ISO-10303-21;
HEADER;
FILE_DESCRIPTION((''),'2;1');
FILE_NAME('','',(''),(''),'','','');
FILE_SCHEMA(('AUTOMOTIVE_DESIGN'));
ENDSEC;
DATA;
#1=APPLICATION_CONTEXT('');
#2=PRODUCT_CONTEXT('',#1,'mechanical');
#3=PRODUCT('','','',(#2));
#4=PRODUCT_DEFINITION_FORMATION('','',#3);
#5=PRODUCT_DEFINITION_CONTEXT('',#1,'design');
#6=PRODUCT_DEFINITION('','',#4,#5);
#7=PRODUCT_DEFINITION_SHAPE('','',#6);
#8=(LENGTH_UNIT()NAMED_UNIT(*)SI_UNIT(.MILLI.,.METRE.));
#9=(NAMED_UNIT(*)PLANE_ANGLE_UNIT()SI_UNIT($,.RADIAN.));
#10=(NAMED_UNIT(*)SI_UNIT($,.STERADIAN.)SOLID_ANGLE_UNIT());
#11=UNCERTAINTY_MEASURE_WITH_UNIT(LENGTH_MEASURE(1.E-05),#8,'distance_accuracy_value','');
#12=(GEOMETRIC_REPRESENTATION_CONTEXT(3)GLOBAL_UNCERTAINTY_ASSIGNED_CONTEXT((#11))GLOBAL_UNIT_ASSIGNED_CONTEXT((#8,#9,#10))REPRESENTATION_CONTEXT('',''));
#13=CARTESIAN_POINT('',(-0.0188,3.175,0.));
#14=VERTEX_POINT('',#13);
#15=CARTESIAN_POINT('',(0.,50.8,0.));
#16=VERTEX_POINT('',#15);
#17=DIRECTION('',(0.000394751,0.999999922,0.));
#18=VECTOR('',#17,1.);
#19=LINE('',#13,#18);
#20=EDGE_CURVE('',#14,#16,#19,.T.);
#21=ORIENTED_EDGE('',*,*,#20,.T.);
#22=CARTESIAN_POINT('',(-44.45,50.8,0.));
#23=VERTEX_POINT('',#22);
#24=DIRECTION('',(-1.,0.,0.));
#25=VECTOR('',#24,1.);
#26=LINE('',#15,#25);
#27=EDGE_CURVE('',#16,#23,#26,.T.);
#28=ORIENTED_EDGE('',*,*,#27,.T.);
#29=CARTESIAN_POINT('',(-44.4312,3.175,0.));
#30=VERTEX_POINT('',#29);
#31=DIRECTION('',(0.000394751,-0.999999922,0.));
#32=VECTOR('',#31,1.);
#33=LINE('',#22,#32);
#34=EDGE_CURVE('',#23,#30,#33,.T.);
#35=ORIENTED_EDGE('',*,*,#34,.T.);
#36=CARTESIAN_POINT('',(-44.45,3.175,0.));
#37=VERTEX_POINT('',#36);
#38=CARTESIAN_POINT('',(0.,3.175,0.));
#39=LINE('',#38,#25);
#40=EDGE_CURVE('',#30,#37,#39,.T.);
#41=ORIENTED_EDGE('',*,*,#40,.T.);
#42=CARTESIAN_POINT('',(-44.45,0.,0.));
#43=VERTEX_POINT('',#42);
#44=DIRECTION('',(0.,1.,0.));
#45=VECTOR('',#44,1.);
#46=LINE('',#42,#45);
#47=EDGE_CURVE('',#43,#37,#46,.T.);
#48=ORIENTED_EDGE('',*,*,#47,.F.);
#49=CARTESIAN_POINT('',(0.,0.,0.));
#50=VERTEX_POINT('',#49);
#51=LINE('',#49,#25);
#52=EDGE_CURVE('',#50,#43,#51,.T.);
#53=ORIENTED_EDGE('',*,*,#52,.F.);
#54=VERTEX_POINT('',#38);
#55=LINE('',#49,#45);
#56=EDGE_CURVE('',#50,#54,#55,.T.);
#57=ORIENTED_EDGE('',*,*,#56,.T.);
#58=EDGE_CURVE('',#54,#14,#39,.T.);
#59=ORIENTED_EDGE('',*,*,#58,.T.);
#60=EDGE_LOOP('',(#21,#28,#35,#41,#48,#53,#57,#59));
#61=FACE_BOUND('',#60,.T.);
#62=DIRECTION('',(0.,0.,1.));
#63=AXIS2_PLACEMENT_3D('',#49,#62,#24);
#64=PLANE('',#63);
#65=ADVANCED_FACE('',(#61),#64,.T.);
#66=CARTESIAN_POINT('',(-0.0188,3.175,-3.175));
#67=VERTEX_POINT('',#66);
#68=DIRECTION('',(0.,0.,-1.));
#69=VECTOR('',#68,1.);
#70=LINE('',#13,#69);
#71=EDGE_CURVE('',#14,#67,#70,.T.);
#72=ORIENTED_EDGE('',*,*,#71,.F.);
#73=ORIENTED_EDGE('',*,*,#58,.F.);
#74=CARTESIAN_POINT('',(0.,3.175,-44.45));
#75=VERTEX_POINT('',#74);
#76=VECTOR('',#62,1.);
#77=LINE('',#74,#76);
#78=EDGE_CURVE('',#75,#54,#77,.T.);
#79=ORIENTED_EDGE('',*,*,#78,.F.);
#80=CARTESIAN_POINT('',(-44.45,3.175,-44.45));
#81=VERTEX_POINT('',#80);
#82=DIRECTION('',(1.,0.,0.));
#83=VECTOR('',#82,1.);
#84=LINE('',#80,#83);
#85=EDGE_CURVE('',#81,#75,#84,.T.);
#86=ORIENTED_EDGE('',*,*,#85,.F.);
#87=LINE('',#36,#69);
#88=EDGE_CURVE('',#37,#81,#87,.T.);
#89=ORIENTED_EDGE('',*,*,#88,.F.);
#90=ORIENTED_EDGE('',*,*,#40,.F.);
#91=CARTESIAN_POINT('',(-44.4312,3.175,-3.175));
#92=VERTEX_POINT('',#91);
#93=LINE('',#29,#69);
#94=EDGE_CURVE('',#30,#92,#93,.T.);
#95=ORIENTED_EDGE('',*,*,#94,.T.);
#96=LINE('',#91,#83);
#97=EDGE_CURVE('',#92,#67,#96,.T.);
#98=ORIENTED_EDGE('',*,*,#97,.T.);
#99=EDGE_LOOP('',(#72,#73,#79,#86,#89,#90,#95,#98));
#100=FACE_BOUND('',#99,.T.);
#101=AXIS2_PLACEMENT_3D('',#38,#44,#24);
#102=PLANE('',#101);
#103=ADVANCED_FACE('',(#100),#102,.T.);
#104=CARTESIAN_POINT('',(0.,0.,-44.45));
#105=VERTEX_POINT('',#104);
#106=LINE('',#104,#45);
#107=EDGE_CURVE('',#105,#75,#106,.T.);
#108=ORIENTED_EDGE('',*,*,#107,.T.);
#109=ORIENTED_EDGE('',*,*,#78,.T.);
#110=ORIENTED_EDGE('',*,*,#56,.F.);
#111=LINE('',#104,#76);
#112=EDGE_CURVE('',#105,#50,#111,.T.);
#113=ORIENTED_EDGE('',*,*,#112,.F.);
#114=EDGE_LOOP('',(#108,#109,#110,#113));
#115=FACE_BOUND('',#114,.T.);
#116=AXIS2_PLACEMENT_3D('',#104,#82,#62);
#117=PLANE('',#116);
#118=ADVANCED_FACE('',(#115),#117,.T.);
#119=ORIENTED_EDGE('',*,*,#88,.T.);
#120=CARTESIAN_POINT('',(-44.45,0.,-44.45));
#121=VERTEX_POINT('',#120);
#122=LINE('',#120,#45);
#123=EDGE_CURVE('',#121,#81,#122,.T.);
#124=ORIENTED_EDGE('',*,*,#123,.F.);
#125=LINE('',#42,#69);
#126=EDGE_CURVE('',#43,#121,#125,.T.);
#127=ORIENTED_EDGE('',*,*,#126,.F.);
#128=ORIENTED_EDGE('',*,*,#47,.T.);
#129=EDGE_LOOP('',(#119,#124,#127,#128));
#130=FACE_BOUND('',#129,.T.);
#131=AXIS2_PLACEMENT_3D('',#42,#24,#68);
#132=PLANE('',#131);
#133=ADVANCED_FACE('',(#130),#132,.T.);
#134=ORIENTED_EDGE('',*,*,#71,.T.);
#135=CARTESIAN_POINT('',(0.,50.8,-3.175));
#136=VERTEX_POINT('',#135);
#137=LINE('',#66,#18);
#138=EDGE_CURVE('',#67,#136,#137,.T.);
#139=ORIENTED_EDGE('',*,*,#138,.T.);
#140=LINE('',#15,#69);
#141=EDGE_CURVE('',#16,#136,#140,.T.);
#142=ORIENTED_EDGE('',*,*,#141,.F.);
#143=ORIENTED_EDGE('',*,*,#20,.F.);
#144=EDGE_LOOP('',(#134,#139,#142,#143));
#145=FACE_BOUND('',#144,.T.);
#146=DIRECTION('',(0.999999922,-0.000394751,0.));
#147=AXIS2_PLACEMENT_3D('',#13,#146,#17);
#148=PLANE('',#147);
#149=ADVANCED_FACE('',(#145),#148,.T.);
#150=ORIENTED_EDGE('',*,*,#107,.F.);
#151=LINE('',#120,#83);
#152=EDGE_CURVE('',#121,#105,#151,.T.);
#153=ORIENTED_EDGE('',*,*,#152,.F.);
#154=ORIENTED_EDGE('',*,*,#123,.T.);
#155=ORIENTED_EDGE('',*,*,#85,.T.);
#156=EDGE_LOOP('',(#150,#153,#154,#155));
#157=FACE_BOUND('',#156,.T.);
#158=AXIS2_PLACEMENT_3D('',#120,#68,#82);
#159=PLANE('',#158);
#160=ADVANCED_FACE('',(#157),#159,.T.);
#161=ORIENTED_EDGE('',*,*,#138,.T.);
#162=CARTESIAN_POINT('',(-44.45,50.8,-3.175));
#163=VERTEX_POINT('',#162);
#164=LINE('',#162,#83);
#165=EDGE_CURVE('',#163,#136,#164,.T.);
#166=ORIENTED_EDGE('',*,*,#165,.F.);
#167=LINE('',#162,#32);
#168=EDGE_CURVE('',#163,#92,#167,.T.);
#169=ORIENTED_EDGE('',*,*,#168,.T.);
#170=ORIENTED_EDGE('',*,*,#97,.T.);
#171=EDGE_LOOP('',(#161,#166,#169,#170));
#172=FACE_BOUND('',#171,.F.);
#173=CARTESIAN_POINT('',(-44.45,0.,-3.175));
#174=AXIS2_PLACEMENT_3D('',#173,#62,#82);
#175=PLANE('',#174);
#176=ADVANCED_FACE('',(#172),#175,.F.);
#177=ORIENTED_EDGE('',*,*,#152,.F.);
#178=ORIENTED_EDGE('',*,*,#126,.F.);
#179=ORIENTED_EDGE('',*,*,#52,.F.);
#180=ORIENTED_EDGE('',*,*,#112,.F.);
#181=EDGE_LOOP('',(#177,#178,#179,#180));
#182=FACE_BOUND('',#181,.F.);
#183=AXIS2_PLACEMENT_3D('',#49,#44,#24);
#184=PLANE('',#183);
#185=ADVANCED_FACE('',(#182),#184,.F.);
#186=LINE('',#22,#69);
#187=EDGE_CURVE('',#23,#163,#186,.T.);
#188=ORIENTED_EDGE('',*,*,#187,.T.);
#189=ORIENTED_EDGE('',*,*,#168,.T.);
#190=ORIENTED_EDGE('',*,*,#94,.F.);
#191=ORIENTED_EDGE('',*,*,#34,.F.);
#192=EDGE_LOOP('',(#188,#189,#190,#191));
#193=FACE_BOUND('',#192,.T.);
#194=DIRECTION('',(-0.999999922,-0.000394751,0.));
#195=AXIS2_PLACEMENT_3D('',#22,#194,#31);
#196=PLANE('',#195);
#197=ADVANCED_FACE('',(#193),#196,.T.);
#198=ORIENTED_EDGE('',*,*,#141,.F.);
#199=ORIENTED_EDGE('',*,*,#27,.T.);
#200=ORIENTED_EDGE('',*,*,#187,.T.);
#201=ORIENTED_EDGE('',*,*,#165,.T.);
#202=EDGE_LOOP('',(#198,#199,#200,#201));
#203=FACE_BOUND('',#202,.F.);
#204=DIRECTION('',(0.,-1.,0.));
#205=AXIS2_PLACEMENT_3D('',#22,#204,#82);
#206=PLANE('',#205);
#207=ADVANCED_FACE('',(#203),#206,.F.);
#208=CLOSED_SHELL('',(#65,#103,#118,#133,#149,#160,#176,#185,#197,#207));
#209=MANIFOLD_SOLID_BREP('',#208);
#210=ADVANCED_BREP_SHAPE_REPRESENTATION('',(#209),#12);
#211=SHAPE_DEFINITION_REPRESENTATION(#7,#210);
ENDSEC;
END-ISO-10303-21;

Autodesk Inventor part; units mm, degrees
ref_plane "YZ Plane" through (0, 0, 0) normal (1, 0, 0) x (0, 1, 0)
ref_plane "XZ Plane" through (0, 0, 0) normal (0, 1, 0) x (-1, 0, 0)
ref_plane "XY Plane" through (0, 0, 0) normal (0, 0, 1) x (1, 0, 0)
sketch "Sketch1" plane through (0, 0, 0) normal (0, 1, 0) x (-1, 0, 0)
  line L0 (0, 0) -> (44.45, 0)
  line L1 (44.45, 0) -> (44.45, -44.45)
  line L2 (44.45, -44.45) -> (0, -44.45)
  line L3 (0, -44.45) -> (0, 0)
  dimension "d0" = 44.45
  dimension "d1" = 44.45
extrude "Extrusion1" add sketch "Sketch1" along normal blind 3.175
sketch "Sketch2" plane through (-44.45, 0, 0) normal (0, 0, 1) x (1, 0, 0)
  line L0 (0, 50.8) -> (44.45, 50.8)
  line L1 (44.45, 0) -> (0, 0) projected
  line L2 (22.225, 50.8) -> (22.225, 54.352)
  line L3 (22.225, 0) -> (22.225, -5.76)
  line L4 (0, 50.8) -> (0.0188, 3.175)
  line L5 (0.0188, 3.175) -> (44.4312, 3.175)
  line L6 (44.4312, 3.175) -> (44.45, 50.8)
  line L7 (0, 3.175) -> (44.45, 3.175) projected
  dimension "d4" = 44.45
  dimension "d5" = 50.8
  dimension "d6" = 0
  dimension "d9" = 0
extrude "Extrusion2" add sketch "Sketch2" against normal blind 3.175
properties part number "Bottom Elevator Bracket Square"
